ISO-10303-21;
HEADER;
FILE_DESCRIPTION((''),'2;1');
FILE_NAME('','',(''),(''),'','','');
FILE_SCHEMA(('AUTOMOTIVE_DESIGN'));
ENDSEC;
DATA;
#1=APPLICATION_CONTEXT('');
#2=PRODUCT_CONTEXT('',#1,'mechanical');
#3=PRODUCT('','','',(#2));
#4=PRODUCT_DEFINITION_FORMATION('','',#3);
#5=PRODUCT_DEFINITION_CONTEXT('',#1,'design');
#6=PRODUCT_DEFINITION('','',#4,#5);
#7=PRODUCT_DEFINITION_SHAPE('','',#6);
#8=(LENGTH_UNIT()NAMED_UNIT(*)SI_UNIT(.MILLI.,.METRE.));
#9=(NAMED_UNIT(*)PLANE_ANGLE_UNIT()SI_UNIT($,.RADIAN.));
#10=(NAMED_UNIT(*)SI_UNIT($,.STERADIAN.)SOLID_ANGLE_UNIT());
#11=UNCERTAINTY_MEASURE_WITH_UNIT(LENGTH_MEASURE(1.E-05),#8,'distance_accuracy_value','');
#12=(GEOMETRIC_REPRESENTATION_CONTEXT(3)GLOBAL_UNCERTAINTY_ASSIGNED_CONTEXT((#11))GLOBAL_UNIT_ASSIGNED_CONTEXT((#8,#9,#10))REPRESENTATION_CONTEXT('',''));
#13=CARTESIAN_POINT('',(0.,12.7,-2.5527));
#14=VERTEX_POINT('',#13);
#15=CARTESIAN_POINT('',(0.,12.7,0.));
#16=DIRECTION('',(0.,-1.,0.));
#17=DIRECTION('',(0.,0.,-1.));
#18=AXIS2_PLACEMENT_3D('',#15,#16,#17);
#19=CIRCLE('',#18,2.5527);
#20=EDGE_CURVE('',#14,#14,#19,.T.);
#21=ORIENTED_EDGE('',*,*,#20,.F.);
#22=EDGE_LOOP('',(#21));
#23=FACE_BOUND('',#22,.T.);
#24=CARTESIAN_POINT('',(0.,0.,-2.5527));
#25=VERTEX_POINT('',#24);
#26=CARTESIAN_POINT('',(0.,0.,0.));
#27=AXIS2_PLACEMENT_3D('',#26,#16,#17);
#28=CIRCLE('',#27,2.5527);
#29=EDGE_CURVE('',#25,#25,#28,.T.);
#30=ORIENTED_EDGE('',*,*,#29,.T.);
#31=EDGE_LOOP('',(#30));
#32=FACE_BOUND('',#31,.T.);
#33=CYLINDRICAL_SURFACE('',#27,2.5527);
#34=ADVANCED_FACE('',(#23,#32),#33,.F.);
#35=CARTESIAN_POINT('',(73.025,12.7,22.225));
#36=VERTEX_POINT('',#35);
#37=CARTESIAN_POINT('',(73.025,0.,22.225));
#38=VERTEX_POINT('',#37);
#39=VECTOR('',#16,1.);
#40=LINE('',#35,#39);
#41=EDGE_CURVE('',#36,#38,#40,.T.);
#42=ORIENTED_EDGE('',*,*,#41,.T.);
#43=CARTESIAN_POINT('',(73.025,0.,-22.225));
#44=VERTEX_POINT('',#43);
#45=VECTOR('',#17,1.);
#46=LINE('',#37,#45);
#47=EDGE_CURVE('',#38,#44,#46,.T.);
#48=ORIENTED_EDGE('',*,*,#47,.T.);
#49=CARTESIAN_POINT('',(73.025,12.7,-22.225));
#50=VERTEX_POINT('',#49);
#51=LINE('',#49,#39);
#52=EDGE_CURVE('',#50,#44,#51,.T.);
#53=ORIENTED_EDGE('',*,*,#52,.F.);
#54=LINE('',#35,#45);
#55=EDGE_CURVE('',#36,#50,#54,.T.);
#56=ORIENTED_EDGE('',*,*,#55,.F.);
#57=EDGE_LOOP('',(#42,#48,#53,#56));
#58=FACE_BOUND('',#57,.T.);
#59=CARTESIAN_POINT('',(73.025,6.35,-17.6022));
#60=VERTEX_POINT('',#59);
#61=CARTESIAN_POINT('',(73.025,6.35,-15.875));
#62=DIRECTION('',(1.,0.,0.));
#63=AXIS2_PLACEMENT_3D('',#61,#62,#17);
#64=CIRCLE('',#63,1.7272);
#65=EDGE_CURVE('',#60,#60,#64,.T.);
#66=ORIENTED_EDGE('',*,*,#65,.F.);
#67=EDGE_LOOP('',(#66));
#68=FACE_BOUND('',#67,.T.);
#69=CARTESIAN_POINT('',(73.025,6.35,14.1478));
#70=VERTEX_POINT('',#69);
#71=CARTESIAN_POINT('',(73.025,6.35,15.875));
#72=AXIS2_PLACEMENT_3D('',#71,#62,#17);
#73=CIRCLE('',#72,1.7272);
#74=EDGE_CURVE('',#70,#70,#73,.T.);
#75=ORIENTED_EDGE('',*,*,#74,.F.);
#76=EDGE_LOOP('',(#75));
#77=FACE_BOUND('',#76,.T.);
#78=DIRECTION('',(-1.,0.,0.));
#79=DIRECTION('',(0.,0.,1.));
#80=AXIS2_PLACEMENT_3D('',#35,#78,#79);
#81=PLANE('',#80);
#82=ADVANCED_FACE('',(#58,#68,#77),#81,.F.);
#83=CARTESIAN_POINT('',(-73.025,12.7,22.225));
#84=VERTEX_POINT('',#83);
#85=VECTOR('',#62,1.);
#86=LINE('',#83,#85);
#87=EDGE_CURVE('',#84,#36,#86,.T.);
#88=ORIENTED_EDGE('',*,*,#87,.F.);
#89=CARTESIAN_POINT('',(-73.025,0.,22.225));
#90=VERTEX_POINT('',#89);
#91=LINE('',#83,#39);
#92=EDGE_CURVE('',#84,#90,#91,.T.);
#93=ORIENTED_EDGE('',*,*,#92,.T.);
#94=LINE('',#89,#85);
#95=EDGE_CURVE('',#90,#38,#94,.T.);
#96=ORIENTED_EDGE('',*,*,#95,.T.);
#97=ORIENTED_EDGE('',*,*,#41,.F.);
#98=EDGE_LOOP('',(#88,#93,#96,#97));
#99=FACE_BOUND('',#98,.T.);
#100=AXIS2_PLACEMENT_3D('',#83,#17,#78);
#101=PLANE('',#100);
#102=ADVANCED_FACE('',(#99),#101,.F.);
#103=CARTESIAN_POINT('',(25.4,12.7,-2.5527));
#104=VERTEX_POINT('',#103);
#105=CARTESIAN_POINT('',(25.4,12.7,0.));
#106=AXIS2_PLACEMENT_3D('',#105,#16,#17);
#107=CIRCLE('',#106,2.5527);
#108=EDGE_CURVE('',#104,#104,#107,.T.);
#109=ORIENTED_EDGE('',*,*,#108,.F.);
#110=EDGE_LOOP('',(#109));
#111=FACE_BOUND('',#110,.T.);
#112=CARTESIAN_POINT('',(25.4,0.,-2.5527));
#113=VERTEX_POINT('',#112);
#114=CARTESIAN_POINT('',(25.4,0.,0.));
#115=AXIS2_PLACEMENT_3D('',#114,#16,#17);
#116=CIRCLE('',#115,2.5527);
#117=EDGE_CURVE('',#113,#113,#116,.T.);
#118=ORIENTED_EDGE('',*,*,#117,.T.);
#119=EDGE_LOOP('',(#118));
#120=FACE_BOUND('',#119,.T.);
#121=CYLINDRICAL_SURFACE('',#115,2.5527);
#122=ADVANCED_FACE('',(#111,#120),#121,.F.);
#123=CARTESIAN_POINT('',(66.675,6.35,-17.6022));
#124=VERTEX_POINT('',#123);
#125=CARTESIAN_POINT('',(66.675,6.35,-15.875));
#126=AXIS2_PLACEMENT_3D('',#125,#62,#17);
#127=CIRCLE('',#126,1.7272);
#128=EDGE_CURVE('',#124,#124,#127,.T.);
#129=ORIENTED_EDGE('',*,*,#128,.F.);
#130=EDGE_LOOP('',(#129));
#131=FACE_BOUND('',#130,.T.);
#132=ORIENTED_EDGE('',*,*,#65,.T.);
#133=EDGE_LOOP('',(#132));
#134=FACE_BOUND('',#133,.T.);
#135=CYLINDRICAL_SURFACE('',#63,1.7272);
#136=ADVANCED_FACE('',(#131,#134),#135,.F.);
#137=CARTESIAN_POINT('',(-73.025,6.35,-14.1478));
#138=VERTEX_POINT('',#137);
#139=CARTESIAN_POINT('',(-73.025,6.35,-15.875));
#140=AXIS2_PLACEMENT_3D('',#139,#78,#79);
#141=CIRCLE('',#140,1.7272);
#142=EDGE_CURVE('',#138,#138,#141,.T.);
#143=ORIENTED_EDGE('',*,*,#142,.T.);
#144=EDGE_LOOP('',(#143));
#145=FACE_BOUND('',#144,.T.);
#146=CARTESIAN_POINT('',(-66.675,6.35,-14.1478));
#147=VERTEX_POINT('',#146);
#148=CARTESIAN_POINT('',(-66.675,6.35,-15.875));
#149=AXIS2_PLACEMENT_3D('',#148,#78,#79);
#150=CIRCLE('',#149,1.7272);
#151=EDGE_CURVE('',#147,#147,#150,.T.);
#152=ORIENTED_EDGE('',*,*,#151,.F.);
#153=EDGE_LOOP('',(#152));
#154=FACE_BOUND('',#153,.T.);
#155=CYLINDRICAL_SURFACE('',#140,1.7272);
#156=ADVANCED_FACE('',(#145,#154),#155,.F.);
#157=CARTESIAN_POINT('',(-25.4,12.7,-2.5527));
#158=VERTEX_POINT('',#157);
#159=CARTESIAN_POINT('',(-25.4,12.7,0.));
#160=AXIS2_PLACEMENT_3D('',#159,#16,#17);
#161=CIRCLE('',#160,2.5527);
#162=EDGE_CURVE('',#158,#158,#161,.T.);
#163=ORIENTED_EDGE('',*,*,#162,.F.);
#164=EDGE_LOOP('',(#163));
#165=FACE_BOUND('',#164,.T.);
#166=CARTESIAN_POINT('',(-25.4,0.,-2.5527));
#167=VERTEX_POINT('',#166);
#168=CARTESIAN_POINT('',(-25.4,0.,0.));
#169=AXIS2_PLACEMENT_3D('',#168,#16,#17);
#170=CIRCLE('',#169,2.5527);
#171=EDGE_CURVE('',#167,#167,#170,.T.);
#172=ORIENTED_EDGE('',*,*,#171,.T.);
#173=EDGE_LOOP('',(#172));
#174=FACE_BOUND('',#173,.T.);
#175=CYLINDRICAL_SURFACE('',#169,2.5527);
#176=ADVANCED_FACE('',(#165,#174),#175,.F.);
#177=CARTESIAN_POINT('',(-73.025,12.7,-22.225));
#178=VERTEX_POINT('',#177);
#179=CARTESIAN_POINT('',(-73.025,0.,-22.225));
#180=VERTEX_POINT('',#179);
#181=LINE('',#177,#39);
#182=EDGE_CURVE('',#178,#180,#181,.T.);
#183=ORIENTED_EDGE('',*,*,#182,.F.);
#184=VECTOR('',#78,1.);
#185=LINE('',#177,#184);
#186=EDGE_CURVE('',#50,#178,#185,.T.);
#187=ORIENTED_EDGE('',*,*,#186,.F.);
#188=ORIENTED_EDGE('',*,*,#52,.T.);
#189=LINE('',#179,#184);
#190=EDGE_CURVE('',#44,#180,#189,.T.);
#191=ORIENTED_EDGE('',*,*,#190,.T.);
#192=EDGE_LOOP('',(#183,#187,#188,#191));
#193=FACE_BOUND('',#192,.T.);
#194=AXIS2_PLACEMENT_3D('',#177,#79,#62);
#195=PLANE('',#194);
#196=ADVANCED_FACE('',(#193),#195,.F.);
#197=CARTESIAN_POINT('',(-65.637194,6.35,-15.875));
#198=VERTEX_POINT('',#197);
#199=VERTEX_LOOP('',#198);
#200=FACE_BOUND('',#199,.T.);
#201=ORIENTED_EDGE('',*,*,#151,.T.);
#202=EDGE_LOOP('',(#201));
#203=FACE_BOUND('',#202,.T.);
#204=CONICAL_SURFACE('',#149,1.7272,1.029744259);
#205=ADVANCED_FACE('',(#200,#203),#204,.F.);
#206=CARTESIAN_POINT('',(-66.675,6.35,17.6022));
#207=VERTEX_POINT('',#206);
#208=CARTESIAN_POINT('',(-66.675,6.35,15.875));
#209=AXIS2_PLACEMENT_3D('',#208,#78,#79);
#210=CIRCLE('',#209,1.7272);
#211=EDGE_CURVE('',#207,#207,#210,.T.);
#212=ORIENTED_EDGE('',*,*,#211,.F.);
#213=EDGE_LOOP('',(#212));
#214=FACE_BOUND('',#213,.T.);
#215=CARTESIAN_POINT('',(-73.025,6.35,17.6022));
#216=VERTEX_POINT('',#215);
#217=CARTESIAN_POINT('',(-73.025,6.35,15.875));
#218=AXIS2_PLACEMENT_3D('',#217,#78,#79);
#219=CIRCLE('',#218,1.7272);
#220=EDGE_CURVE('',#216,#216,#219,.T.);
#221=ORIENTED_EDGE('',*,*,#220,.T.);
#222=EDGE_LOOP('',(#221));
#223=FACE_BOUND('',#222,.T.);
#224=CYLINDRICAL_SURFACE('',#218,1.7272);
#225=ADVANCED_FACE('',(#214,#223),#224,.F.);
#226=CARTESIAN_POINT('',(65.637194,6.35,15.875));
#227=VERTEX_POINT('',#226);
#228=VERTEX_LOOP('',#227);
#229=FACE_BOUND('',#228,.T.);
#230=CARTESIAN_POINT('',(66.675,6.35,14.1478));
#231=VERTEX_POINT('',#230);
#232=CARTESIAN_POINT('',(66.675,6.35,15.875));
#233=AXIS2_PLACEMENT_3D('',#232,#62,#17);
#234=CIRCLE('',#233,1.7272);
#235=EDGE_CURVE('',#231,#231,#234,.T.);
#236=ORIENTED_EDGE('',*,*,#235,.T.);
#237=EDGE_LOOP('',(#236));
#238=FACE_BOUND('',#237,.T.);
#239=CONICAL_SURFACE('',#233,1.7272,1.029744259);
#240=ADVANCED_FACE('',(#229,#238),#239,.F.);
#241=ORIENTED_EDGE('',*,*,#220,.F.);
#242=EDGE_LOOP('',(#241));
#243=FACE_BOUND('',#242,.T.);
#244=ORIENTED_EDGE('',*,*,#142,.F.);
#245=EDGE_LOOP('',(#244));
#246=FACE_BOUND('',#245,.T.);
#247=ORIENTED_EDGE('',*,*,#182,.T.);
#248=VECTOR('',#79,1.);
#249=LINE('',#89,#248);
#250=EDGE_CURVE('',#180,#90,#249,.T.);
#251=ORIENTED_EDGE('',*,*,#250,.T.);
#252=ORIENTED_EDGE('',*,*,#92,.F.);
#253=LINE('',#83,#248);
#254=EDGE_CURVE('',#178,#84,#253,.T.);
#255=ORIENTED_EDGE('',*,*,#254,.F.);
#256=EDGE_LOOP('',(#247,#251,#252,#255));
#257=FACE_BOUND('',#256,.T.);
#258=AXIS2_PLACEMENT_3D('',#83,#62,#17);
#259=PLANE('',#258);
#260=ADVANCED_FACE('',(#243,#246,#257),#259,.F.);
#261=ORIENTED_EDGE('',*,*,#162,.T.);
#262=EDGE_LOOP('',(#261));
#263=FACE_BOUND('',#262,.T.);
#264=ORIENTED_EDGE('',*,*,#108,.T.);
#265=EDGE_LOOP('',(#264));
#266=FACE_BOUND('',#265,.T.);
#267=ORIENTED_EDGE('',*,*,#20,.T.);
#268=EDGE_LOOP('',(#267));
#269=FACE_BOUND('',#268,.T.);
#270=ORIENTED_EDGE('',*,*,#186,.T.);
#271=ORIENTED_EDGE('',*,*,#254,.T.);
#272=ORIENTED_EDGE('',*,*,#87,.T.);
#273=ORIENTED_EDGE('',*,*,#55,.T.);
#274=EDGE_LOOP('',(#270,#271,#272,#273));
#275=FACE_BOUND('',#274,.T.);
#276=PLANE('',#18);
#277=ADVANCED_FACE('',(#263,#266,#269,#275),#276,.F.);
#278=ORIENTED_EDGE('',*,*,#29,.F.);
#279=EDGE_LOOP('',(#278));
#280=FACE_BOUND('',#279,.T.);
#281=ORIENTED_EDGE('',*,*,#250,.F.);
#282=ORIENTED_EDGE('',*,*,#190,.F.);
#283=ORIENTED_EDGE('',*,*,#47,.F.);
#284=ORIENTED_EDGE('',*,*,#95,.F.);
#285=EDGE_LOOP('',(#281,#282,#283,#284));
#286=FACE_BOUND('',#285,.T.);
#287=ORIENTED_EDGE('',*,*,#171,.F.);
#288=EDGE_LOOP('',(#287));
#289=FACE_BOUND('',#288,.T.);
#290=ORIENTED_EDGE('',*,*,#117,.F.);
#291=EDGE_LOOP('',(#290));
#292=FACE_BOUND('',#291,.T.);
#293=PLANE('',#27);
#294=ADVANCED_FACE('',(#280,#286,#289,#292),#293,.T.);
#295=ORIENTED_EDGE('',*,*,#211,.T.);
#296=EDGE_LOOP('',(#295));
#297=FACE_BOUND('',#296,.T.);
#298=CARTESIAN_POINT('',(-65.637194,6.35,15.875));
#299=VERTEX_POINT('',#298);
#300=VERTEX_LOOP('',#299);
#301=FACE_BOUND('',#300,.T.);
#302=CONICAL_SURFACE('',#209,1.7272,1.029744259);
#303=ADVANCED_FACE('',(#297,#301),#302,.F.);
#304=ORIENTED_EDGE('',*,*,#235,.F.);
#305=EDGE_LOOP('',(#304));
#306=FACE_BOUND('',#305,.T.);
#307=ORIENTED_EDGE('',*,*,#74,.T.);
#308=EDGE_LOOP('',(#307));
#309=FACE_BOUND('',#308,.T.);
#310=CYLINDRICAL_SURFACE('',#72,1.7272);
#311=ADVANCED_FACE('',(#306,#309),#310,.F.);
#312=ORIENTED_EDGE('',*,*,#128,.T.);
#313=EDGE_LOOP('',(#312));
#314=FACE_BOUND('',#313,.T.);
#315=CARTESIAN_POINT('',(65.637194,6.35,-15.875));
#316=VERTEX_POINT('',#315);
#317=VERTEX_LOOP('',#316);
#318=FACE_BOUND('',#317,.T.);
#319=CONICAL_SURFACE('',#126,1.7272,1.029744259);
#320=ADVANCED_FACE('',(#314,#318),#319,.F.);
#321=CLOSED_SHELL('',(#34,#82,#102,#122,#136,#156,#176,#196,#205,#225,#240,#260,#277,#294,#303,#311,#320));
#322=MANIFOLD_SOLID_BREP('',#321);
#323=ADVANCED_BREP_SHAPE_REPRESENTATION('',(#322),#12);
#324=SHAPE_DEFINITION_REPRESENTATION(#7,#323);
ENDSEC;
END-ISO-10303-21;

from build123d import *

# Parameters (mm, degrees)
SKETCH2_W                      = 146.05
SKETCH2_H                      = 44.45
BOSS_EXTRUDE1_DEPTH            = 12.7
F_1_4_20_TAPPED_HOLE1_D        = 5.1054
F_8_32_TAPPED_HOLE1_AT_2_COUNT = 2
F_8_32_TAPPED_HOLE1_AT_2_PITCH = 31.75


with BuildPart() as part:
    # Sketch2 → Boss-Extrude1 (new body)
    with BuildSketch(Plane(origin=(0, 0, 0), x_dir=(1, 0, 0), z_dir=(0, 1, 0))):
        Rectangle(SKETCH2_W, SKETCH2_H)
    extrude(amount=BOSS_EXTRUDE1_DEPTH)

    # 1/4-20 Tapped Hole1 (through all)
    with Locations(Plane(origin=(0, 0, 0), x_dir=(-1, 0, 0), z_dir=(0, -1, 0))):
        with Locations((0, 0), (-25.4, 0), (25.4, 0)):
            Hole(F_1_4_20_TAPPED_HOLE1_D / 2)

    # Sketch7 → #8-32 Tapped Hole1 (revolve, cut)
    with BuildSketch(Plane(origin=(-73.025, 6.35, -15.875), x_dir=(0, 0, 1), z_dir=(0, 1, 0))):
        Polygon((0, 0), (0, 7.387806461), (1.7272, 6.35), (1.7272, 0), align=None)
    f_8_32_tapped_hole1 = revolve(axis=Axis((-79.375, 6.35, -15.875), (1, 0, 0)), mode=Mode.SUBTRACT)

    # #8-32 Tapped Hole1 at 2: #8-32 Tapped Hole1 ×2
    with Locations(*[(0, 0, i * F_8_32_TAPPED_HOLE1_AT_2_PITCH) for i in range(1, F_8_32_TAPPED_HOLE1_AT_2_COUNT)]):
        add(f_8_32_tapped_hole1, mode=Mode.SUBTRACT)

    # Mirror1: #8-32 Tapped Hole1 across plane
    add(f_8_32_tapped_hole1.mirror(Plane(origin=(0, 0, 0), x_dir=(0, 0, 1), z_dir=(1, 0, 0))), mode=Mode.SUBTRACT)

    # Mirror1 copy 1 sketch → Mirror1 copy 1 (revolve, cut)
    with BuildSketch(Plane(origin=(73.025, 6.35, 15.875), x_dir=(0, 0, 1), z_dir=(0, 1, 0))):
        Polygon((0, 0), (0, -7.387806461), (1.7272, -6.35), (1.7272, 0), align=None)
    revolve(axis=Axis((79.375, 6.35, 15.875), (1, 0, 0)), mode=Mode.SUBTRACT)


solid = part.part
